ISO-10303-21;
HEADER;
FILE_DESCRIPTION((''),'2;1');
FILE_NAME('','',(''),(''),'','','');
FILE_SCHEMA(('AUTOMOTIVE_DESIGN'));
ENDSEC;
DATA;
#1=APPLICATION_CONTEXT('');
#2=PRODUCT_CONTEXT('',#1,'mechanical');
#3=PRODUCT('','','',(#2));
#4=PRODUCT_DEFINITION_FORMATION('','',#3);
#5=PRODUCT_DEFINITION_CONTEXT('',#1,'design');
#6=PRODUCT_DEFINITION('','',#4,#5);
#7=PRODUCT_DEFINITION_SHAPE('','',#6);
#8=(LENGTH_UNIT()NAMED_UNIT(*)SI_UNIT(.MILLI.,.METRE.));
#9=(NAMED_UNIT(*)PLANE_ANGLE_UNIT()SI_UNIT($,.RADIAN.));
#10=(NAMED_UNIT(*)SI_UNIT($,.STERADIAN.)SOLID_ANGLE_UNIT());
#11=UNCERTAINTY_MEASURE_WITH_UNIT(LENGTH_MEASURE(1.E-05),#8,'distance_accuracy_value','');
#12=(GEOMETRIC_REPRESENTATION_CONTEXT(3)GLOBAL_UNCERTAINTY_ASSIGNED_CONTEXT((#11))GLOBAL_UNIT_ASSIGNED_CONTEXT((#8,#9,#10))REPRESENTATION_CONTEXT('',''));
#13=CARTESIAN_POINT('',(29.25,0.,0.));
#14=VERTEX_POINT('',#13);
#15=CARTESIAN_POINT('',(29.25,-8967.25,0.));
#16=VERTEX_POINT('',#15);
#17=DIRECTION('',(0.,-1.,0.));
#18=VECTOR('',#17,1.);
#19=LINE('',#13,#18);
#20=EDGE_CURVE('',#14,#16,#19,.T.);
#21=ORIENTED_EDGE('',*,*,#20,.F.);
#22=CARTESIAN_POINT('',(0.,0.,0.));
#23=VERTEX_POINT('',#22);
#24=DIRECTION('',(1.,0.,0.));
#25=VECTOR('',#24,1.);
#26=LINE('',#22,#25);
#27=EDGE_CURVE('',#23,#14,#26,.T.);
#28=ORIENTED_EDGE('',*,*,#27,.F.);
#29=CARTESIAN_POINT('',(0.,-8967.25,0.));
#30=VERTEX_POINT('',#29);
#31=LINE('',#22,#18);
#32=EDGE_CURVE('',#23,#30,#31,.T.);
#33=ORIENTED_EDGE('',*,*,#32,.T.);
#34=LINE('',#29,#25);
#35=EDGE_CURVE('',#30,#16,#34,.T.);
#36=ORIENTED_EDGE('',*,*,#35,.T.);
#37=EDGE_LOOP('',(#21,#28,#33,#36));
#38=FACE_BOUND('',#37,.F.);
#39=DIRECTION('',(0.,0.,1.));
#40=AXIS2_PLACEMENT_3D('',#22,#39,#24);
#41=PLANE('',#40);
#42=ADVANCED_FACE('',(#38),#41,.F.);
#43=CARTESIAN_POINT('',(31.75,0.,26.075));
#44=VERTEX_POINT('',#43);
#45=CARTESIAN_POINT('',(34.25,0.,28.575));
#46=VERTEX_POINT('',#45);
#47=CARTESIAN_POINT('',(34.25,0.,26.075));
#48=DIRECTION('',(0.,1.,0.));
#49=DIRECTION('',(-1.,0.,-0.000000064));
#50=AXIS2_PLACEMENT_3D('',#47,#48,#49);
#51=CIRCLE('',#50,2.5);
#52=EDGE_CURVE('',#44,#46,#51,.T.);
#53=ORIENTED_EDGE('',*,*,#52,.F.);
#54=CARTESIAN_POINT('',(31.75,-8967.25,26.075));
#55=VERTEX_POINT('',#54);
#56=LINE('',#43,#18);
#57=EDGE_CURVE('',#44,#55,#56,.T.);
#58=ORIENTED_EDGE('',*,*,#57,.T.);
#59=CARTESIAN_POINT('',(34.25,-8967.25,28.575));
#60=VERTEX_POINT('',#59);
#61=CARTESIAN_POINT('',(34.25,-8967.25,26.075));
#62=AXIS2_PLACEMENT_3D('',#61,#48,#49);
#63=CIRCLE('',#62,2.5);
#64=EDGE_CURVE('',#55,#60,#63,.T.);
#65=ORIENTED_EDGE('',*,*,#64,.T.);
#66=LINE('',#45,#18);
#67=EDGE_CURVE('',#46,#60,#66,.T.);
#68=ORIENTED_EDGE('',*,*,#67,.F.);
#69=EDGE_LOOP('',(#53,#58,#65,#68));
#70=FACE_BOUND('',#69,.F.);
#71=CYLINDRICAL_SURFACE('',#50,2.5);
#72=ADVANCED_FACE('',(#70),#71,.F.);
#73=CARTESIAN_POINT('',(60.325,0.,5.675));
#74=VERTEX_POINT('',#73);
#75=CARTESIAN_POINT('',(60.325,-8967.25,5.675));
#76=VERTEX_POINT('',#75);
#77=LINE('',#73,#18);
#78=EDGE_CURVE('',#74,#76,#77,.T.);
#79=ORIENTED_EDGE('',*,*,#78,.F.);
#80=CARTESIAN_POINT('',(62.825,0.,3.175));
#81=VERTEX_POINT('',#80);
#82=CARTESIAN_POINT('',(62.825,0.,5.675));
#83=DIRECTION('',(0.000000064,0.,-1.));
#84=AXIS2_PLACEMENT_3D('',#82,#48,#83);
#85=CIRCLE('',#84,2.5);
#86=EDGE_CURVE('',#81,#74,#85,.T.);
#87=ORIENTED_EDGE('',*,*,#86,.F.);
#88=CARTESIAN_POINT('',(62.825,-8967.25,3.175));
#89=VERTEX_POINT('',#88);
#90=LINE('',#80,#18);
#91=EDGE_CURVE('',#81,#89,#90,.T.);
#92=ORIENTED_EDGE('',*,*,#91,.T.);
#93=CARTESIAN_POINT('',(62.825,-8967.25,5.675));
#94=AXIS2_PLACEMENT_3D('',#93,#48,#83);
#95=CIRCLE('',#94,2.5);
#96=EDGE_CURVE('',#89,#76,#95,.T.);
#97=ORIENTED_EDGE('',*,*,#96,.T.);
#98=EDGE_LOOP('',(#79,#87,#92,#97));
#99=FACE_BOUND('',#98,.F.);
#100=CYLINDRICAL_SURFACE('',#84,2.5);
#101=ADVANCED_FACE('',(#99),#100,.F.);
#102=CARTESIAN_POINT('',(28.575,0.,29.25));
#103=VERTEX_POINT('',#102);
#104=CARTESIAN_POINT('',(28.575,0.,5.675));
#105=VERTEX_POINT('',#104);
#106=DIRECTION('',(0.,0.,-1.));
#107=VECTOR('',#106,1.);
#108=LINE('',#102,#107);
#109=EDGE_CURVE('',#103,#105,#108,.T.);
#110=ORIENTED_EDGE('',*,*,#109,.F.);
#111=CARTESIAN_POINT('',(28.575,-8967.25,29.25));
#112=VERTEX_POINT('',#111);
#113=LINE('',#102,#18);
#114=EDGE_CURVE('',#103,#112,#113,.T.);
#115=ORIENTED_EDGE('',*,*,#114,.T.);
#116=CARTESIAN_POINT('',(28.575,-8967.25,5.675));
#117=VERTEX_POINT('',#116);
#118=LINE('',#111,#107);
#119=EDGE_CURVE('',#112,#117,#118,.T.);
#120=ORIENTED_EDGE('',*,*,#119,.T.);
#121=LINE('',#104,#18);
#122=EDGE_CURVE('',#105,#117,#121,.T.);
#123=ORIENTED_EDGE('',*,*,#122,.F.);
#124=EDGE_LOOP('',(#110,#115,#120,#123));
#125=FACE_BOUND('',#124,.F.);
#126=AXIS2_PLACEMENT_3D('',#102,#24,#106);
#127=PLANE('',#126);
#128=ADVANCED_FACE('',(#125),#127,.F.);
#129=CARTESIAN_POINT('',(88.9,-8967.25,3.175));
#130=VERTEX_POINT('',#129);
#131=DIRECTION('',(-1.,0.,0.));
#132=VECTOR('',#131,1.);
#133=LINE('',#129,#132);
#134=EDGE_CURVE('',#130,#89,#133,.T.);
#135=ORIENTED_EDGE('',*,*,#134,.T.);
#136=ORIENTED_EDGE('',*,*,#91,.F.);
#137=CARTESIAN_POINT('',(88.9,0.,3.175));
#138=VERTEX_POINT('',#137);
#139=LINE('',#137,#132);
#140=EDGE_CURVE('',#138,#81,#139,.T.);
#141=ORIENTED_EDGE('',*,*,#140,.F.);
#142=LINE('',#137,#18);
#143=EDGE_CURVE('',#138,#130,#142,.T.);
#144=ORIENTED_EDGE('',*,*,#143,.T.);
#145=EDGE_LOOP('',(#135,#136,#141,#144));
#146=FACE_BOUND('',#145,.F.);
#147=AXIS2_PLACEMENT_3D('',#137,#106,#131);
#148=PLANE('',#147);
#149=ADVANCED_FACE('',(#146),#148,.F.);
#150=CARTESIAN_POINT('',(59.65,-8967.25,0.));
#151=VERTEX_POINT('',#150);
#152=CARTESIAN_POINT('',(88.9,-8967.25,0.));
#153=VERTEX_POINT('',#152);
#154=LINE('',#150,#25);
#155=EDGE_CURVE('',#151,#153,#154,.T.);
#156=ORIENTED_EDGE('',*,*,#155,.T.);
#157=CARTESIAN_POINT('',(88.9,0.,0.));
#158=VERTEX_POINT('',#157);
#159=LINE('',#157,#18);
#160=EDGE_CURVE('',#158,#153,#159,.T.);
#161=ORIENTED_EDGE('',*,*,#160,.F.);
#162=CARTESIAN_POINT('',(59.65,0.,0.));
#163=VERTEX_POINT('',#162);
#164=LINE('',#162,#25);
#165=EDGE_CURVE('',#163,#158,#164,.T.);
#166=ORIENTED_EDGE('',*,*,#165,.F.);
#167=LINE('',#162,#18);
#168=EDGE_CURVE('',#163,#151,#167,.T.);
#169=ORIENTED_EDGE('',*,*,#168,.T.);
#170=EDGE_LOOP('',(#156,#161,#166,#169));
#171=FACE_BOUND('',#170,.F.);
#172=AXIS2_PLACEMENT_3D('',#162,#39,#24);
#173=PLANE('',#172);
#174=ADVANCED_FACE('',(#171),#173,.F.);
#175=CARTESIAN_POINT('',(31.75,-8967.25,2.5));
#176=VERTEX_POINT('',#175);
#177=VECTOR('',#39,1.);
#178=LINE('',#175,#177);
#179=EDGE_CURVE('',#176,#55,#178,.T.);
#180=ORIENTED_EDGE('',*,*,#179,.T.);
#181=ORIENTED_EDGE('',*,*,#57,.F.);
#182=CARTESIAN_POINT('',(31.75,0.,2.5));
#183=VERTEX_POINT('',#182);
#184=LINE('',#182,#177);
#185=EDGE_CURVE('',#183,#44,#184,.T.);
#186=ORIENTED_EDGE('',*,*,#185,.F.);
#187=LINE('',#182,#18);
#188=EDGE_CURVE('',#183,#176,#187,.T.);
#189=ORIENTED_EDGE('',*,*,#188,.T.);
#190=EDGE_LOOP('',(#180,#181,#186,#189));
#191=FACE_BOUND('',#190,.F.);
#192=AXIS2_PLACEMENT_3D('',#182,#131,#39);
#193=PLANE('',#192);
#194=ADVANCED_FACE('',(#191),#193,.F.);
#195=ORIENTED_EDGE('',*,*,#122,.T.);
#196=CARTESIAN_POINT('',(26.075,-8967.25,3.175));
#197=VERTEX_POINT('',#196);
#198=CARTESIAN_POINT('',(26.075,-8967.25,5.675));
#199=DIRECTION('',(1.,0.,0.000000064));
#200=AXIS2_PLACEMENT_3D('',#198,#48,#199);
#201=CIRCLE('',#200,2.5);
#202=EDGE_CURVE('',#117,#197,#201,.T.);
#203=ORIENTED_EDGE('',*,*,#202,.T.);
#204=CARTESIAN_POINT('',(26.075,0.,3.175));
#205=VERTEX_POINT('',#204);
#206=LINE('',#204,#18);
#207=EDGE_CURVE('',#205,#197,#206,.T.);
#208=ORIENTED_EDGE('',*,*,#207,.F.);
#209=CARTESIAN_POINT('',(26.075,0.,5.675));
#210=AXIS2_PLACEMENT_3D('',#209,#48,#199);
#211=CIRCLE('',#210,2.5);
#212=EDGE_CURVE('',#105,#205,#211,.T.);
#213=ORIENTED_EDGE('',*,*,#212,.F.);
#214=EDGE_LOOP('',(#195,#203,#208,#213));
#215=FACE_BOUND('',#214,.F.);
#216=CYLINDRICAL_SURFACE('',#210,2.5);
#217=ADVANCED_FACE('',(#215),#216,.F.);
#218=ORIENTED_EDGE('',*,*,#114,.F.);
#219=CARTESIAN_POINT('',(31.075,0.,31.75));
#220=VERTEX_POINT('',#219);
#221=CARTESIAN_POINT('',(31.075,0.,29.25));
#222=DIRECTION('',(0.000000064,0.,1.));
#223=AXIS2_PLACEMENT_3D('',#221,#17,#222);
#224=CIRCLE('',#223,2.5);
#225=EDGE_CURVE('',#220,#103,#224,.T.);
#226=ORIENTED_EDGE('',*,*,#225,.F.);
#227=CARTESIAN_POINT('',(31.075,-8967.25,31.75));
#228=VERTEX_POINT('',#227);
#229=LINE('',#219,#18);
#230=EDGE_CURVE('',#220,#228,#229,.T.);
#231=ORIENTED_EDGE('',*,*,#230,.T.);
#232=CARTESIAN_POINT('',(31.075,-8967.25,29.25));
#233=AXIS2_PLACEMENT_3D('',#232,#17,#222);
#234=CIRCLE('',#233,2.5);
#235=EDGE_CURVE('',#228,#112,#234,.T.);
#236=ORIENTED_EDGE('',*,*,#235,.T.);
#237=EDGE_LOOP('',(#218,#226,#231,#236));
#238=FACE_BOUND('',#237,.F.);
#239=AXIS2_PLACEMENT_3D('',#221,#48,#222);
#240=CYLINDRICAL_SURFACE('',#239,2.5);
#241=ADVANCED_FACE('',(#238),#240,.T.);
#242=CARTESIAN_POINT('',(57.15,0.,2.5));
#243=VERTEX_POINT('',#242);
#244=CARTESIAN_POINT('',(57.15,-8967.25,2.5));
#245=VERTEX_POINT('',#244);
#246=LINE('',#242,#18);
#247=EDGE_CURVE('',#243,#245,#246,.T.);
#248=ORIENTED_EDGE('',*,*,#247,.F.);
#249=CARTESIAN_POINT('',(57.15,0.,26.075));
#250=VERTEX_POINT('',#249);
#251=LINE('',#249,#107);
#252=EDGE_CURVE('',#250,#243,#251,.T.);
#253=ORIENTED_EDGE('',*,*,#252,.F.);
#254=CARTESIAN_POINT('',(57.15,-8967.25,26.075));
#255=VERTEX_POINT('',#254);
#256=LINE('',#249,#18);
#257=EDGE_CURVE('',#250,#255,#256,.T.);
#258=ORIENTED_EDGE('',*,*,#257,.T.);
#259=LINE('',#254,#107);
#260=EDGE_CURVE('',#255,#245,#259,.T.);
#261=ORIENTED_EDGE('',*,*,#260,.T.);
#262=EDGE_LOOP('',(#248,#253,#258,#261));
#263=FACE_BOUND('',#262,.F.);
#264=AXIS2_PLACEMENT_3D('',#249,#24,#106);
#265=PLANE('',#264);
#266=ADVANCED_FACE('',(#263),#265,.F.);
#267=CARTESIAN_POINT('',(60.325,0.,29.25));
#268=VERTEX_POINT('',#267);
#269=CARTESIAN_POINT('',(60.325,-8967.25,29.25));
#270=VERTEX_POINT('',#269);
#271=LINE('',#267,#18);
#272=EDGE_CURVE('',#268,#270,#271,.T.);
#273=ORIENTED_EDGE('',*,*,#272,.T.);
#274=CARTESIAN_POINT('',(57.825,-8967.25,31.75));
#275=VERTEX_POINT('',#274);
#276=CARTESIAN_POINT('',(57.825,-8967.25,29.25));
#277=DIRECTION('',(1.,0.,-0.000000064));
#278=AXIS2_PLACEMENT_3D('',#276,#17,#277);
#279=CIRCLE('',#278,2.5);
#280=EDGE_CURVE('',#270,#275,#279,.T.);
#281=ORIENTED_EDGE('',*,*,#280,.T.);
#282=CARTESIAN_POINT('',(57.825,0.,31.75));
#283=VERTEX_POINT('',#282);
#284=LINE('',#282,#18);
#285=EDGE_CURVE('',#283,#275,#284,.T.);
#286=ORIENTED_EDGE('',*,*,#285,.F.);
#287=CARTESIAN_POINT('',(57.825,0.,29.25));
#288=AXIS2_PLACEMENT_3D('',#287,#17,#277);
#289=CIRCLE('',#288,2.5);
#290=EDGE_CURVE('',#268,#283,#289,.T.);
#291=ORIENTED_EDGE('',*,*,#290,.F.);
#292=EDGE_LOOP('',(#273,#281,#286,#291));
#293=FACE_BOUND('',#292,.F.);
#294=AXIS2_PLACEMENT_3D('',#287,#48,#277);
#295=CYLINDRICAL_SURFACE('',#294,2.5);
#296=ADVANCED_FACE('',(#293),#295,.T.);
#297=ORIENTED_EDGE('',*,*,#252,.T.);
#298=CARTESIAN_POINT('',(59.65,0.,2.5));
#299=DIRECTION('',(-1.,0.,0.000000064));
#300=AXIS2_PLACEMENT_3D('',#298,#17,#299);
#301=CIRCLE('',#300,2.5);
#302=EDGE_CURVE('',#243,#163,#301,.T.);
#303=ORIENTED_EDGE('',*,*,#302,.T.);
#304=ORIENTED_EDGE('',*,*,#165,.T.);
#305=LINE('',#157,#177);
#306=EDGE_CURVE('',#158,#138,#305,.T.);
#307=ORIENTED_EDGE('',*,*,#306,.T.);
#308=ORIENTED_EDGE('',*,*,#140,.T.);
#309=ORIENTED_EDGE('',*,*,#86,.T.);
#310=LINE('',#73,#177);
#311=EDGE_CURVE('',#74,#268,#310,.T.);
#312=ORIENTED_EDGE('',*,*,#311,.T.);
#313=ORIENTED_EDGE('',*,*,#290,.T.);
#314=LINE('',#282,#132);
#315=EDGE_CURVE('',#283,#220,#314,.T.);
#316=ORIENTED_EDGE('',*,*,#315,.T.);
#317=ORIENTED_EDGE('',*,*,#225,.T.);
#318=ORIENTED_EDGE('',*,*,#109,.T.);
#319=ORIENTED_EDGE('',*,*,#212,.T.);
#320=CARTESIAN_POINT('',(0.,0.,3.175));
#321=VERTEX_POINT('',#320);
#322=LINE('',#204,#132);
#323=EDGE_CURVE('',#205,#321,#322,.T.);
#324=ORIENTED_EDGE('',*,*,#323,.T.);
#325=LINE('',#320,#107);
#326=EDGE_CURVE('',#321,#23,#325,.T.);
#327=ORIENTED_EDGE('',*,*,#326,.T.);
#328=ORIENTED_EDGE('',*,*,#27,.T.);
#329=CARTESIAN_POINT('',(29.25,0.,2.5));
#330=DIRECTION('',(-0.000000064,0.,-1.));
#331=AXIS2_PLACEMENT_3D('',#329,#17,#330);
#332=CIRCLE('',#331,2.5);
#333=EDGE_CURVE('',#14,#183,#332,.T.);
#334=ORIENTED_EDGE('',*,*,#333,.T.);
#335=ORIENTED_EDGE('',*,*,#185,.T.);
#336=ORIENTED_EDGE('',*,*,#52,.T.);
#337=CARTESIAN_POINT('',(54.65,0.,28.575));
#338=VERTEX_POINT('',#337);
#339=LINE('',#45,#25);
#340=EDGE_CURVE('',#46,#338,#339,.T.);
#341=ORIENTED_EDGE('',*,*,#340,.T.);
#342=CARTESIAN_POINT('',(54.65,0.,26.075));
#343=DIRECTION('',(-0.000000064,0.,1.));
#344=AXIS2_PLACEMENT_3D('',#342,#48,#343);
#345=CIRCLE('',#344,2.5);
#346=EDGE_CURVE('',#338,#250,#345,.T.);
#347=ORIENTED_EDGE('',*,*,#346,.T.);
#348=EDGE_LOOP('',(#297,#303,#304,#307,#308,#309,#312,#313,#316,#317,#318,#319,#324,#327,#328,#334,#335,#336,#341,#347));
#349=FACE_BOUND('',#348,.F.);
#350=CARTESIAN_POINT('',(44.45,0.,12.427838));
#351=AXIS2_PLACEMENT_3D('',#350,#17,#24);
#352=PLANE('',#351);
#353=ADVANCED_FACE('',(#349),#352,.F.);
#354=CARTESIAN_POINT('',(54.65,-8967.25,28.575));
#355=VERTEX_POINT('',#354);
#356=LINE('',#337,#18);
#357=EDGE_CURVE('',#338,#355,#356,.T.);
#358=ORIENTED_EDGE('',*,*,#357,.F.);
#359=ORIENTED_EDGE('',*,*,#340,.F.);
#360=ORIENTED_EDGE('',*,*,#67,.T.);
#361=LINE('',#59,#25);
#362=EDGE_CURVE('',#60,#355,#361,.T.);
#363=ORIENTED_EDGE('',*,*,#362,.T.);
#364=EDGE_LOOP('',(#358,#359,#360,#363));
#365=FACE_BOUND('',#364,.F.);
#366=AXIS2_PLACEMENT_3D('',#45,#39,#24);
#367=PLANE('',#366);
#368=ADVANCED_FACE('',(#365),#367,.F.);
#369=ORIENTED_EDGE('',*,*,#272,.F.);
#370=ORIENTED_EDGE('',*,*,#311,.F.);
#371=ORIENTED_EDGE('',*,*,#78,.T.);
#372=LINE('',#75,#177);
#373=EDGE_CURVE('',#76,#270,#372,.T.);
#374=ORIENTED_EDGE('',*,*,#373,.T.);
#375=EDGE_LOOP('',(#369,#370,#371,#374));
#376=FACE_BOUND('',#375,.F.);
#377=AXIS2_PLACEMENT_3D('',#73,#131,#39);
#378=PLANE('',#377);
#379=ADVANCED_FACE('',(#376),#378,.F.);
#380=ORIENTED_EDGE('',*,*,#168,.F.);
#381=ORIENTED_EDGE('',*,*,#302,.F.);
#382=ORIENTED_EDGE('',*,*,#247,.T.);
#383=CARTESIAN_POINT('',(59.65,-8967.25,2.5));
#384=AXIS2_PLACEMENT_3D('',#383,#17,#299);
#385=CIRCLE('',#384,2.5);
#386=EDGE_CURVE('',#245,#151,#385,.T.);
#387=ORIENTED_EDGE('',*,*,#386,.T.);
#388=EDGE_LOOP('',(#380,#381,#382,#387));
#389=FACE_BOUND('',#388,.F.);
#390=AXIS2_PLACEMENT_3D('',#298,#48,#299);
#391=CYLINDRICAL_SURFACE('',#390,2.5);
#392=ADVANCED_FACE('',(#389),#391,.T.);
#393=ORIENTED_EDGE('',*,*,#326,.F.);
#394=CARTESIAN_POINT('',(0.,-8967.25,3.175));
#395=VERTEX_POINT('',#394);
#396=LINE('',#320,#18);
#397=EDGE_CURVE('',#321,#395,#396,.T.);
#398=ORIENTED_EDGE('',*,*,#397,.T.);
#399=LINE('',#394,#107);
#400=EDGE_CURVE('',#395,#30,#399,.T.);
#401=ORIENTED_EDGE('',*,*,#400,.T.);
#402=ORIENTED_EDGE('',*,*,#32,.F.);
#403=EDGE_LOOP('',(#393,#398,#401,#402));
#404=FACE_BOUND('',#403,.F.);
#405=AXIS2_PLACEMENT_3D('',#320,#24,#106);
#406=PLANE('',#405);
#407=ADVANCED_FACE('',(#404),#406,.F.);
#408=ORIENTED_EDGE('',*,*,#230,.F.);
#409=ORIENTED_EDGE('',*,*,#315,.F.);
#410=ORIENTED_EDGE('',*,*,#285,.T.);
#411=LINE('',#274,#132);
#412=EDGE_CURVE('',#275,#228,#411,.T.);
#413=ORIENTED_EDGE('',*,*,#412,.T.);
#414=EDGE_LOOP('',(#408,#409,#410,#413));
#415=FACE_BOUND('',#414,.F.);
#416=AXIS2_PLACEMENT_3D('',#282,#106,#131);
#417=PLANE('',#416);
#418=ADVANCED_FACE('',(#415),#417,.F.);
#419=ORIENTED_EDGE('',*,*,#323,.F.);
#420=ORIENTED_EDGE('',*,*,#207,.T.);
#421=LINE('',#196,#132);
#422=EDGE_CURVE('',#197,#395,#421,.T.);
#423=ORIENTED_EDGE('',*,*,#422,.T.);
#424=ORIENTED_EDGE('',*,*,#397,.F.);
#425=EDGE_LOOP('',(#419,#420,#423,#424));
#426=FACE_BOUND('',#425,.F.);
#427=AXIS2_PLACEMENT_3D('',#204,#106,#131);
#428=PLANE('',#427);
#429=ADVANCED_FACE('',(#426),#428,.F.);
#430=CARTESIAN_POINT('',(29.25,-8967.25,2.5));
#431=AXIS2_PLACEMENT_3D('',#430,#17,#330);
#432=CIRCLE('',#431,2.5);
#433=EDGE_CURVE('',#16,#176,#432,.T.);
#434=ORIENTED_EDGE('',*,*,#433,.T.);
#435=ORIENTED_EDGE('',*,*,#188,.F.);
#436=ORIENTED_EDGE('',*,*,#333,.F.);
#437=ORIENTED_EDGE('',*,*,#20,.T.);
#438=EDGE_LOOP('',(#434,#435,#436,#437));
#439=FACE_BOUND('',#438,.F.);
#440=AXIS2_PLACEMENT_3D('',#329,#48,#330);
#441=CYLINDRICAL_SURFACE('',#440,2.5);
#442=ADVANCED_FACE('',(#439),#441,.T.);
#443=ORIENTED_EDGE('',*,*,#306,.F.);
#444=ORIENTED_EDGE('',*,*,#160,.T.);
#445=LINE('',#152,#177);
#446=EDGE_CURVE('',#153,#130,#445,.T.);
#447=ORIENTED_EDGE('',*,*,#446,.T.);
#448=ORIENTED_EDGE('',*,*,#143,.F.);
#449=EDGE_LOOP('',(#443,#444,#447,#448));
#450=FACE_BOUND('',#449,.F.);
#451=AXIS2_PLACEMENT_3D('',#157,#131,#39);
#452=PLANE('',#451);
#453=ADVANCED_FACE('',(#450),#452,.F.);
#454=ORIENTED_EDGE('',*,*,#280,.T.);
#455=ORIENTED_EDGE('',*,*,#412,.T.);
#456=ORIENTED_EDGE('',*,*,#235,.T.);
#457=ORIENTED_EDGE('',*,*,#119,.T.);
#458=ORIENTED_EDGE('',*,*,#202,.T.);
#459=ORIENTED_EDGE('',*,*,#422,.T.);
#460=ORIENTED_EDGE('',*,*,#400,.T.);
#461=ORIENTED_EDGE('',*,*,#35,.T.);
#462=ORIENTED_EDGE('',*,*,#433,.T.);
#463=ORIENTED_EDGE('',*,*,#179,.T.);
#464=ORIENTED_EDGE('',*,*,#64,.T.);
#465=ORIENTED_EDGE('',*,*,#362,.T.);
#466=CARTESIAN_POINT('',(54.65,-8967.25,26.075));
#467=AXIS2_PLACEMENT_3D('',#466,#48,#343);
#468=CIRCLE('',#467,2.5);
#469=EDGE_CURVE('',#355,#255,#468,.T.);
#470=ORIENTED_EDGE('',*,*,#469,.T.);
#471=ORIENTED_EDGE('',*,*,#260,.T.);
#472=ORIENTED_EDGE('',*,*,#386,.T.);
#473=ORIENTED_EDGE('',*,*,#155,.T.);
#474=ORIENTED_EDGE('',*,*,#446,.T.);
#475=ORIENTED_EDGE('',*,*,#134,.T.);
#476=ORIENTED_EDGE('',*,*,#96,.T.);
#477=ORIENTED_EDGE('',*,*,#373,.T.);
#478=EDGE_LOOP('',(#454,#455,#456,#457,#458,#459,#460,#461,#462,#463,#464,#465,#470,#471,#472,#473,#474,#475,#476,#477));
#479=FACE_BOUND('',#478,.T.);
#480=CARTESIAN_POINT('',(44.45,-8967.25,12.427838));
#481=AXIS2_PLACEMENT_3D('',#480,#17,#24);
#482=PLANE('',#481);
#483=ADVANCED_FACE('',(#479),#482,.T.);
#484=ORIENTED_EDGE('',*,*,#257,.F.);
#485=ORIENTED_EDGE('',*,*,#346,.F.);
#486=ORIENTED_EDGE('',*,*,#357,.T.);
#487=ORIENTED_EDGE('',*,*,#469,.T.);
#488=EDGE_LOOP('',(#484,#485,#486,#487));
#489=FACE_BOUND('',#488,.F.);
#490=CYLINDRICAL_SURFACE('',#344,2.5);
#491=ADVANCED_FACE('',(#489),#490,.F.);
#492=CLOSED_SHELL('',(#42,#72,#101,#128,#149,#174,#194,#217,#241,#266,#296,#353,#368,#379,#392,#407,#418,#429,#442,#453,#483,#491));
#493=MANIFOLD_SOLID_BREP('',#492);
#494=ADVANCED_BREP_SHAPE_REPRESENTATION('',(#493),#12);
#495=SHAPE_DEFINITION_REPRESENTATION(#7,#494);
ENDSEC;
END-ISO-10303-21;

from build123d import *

# Parameters (mm, degrees)
F1_DEPTH = 8967.25


with BuildPart() as f1:
    # F0 (on Front) → F1 (new body)
    with BuildSketch(Plane.XZ):
        with BuildLine():
            Line((0, 3.175), (0, 0))
            Line((0, 0), (29.25, 0))
            ThreePointArc((29.25, 0), (31.017767, 0.732233), (31.75, 2.5))
            Line((31.75, 2.5), (31.75, 26.075))
            ThreePointArc((31.75, 26.075), (32.482233, 27.842767), (34.25, 28.575))
            Line((34.25, 28.575), (54.65, 28.575))
            ThreePointArc((54.65, 28.575), (56.417767, 27.842767), (57.15, 26.075))
            Line((57.15, 26.075), (57.15, 2.5))
            ThreePointArc((57.15, 2.5), (57.882233, 0.732233), (59.65, 0))
            Line((59.65, 0), (88.9, 0))
            Line((88.9, 0), (88.9, 3.175))
            Line((88.9, 3.175), (62.825, 3.175))
            ThreePointArc((62.825, 3.175), (61.057233, 3.907233), (60.325, 5.675))
            Line((60.325, 5.675), (60.325, 29.25))
            ThreePointArc((60.325, 29.25), (59.592767, 31.017767), (57.825, 31.75))
            Line((57.825, 31.75), (31.075, 31.75))
            ThreePointArc((31.075, 31.75), (29.307233, 31.017767), (28.575, 29.25))
            Line((28.575, 29.25), (28.575, 5.675))
            ThreePointArc((28.575, 5.675), (27.842767, 3.907233), (26.075, 3.175))
            Line((26.075, 3.175), (0, 3.175))
        make_face()
    extrude(amount=F1_DEPTH)


solid = f1.part
